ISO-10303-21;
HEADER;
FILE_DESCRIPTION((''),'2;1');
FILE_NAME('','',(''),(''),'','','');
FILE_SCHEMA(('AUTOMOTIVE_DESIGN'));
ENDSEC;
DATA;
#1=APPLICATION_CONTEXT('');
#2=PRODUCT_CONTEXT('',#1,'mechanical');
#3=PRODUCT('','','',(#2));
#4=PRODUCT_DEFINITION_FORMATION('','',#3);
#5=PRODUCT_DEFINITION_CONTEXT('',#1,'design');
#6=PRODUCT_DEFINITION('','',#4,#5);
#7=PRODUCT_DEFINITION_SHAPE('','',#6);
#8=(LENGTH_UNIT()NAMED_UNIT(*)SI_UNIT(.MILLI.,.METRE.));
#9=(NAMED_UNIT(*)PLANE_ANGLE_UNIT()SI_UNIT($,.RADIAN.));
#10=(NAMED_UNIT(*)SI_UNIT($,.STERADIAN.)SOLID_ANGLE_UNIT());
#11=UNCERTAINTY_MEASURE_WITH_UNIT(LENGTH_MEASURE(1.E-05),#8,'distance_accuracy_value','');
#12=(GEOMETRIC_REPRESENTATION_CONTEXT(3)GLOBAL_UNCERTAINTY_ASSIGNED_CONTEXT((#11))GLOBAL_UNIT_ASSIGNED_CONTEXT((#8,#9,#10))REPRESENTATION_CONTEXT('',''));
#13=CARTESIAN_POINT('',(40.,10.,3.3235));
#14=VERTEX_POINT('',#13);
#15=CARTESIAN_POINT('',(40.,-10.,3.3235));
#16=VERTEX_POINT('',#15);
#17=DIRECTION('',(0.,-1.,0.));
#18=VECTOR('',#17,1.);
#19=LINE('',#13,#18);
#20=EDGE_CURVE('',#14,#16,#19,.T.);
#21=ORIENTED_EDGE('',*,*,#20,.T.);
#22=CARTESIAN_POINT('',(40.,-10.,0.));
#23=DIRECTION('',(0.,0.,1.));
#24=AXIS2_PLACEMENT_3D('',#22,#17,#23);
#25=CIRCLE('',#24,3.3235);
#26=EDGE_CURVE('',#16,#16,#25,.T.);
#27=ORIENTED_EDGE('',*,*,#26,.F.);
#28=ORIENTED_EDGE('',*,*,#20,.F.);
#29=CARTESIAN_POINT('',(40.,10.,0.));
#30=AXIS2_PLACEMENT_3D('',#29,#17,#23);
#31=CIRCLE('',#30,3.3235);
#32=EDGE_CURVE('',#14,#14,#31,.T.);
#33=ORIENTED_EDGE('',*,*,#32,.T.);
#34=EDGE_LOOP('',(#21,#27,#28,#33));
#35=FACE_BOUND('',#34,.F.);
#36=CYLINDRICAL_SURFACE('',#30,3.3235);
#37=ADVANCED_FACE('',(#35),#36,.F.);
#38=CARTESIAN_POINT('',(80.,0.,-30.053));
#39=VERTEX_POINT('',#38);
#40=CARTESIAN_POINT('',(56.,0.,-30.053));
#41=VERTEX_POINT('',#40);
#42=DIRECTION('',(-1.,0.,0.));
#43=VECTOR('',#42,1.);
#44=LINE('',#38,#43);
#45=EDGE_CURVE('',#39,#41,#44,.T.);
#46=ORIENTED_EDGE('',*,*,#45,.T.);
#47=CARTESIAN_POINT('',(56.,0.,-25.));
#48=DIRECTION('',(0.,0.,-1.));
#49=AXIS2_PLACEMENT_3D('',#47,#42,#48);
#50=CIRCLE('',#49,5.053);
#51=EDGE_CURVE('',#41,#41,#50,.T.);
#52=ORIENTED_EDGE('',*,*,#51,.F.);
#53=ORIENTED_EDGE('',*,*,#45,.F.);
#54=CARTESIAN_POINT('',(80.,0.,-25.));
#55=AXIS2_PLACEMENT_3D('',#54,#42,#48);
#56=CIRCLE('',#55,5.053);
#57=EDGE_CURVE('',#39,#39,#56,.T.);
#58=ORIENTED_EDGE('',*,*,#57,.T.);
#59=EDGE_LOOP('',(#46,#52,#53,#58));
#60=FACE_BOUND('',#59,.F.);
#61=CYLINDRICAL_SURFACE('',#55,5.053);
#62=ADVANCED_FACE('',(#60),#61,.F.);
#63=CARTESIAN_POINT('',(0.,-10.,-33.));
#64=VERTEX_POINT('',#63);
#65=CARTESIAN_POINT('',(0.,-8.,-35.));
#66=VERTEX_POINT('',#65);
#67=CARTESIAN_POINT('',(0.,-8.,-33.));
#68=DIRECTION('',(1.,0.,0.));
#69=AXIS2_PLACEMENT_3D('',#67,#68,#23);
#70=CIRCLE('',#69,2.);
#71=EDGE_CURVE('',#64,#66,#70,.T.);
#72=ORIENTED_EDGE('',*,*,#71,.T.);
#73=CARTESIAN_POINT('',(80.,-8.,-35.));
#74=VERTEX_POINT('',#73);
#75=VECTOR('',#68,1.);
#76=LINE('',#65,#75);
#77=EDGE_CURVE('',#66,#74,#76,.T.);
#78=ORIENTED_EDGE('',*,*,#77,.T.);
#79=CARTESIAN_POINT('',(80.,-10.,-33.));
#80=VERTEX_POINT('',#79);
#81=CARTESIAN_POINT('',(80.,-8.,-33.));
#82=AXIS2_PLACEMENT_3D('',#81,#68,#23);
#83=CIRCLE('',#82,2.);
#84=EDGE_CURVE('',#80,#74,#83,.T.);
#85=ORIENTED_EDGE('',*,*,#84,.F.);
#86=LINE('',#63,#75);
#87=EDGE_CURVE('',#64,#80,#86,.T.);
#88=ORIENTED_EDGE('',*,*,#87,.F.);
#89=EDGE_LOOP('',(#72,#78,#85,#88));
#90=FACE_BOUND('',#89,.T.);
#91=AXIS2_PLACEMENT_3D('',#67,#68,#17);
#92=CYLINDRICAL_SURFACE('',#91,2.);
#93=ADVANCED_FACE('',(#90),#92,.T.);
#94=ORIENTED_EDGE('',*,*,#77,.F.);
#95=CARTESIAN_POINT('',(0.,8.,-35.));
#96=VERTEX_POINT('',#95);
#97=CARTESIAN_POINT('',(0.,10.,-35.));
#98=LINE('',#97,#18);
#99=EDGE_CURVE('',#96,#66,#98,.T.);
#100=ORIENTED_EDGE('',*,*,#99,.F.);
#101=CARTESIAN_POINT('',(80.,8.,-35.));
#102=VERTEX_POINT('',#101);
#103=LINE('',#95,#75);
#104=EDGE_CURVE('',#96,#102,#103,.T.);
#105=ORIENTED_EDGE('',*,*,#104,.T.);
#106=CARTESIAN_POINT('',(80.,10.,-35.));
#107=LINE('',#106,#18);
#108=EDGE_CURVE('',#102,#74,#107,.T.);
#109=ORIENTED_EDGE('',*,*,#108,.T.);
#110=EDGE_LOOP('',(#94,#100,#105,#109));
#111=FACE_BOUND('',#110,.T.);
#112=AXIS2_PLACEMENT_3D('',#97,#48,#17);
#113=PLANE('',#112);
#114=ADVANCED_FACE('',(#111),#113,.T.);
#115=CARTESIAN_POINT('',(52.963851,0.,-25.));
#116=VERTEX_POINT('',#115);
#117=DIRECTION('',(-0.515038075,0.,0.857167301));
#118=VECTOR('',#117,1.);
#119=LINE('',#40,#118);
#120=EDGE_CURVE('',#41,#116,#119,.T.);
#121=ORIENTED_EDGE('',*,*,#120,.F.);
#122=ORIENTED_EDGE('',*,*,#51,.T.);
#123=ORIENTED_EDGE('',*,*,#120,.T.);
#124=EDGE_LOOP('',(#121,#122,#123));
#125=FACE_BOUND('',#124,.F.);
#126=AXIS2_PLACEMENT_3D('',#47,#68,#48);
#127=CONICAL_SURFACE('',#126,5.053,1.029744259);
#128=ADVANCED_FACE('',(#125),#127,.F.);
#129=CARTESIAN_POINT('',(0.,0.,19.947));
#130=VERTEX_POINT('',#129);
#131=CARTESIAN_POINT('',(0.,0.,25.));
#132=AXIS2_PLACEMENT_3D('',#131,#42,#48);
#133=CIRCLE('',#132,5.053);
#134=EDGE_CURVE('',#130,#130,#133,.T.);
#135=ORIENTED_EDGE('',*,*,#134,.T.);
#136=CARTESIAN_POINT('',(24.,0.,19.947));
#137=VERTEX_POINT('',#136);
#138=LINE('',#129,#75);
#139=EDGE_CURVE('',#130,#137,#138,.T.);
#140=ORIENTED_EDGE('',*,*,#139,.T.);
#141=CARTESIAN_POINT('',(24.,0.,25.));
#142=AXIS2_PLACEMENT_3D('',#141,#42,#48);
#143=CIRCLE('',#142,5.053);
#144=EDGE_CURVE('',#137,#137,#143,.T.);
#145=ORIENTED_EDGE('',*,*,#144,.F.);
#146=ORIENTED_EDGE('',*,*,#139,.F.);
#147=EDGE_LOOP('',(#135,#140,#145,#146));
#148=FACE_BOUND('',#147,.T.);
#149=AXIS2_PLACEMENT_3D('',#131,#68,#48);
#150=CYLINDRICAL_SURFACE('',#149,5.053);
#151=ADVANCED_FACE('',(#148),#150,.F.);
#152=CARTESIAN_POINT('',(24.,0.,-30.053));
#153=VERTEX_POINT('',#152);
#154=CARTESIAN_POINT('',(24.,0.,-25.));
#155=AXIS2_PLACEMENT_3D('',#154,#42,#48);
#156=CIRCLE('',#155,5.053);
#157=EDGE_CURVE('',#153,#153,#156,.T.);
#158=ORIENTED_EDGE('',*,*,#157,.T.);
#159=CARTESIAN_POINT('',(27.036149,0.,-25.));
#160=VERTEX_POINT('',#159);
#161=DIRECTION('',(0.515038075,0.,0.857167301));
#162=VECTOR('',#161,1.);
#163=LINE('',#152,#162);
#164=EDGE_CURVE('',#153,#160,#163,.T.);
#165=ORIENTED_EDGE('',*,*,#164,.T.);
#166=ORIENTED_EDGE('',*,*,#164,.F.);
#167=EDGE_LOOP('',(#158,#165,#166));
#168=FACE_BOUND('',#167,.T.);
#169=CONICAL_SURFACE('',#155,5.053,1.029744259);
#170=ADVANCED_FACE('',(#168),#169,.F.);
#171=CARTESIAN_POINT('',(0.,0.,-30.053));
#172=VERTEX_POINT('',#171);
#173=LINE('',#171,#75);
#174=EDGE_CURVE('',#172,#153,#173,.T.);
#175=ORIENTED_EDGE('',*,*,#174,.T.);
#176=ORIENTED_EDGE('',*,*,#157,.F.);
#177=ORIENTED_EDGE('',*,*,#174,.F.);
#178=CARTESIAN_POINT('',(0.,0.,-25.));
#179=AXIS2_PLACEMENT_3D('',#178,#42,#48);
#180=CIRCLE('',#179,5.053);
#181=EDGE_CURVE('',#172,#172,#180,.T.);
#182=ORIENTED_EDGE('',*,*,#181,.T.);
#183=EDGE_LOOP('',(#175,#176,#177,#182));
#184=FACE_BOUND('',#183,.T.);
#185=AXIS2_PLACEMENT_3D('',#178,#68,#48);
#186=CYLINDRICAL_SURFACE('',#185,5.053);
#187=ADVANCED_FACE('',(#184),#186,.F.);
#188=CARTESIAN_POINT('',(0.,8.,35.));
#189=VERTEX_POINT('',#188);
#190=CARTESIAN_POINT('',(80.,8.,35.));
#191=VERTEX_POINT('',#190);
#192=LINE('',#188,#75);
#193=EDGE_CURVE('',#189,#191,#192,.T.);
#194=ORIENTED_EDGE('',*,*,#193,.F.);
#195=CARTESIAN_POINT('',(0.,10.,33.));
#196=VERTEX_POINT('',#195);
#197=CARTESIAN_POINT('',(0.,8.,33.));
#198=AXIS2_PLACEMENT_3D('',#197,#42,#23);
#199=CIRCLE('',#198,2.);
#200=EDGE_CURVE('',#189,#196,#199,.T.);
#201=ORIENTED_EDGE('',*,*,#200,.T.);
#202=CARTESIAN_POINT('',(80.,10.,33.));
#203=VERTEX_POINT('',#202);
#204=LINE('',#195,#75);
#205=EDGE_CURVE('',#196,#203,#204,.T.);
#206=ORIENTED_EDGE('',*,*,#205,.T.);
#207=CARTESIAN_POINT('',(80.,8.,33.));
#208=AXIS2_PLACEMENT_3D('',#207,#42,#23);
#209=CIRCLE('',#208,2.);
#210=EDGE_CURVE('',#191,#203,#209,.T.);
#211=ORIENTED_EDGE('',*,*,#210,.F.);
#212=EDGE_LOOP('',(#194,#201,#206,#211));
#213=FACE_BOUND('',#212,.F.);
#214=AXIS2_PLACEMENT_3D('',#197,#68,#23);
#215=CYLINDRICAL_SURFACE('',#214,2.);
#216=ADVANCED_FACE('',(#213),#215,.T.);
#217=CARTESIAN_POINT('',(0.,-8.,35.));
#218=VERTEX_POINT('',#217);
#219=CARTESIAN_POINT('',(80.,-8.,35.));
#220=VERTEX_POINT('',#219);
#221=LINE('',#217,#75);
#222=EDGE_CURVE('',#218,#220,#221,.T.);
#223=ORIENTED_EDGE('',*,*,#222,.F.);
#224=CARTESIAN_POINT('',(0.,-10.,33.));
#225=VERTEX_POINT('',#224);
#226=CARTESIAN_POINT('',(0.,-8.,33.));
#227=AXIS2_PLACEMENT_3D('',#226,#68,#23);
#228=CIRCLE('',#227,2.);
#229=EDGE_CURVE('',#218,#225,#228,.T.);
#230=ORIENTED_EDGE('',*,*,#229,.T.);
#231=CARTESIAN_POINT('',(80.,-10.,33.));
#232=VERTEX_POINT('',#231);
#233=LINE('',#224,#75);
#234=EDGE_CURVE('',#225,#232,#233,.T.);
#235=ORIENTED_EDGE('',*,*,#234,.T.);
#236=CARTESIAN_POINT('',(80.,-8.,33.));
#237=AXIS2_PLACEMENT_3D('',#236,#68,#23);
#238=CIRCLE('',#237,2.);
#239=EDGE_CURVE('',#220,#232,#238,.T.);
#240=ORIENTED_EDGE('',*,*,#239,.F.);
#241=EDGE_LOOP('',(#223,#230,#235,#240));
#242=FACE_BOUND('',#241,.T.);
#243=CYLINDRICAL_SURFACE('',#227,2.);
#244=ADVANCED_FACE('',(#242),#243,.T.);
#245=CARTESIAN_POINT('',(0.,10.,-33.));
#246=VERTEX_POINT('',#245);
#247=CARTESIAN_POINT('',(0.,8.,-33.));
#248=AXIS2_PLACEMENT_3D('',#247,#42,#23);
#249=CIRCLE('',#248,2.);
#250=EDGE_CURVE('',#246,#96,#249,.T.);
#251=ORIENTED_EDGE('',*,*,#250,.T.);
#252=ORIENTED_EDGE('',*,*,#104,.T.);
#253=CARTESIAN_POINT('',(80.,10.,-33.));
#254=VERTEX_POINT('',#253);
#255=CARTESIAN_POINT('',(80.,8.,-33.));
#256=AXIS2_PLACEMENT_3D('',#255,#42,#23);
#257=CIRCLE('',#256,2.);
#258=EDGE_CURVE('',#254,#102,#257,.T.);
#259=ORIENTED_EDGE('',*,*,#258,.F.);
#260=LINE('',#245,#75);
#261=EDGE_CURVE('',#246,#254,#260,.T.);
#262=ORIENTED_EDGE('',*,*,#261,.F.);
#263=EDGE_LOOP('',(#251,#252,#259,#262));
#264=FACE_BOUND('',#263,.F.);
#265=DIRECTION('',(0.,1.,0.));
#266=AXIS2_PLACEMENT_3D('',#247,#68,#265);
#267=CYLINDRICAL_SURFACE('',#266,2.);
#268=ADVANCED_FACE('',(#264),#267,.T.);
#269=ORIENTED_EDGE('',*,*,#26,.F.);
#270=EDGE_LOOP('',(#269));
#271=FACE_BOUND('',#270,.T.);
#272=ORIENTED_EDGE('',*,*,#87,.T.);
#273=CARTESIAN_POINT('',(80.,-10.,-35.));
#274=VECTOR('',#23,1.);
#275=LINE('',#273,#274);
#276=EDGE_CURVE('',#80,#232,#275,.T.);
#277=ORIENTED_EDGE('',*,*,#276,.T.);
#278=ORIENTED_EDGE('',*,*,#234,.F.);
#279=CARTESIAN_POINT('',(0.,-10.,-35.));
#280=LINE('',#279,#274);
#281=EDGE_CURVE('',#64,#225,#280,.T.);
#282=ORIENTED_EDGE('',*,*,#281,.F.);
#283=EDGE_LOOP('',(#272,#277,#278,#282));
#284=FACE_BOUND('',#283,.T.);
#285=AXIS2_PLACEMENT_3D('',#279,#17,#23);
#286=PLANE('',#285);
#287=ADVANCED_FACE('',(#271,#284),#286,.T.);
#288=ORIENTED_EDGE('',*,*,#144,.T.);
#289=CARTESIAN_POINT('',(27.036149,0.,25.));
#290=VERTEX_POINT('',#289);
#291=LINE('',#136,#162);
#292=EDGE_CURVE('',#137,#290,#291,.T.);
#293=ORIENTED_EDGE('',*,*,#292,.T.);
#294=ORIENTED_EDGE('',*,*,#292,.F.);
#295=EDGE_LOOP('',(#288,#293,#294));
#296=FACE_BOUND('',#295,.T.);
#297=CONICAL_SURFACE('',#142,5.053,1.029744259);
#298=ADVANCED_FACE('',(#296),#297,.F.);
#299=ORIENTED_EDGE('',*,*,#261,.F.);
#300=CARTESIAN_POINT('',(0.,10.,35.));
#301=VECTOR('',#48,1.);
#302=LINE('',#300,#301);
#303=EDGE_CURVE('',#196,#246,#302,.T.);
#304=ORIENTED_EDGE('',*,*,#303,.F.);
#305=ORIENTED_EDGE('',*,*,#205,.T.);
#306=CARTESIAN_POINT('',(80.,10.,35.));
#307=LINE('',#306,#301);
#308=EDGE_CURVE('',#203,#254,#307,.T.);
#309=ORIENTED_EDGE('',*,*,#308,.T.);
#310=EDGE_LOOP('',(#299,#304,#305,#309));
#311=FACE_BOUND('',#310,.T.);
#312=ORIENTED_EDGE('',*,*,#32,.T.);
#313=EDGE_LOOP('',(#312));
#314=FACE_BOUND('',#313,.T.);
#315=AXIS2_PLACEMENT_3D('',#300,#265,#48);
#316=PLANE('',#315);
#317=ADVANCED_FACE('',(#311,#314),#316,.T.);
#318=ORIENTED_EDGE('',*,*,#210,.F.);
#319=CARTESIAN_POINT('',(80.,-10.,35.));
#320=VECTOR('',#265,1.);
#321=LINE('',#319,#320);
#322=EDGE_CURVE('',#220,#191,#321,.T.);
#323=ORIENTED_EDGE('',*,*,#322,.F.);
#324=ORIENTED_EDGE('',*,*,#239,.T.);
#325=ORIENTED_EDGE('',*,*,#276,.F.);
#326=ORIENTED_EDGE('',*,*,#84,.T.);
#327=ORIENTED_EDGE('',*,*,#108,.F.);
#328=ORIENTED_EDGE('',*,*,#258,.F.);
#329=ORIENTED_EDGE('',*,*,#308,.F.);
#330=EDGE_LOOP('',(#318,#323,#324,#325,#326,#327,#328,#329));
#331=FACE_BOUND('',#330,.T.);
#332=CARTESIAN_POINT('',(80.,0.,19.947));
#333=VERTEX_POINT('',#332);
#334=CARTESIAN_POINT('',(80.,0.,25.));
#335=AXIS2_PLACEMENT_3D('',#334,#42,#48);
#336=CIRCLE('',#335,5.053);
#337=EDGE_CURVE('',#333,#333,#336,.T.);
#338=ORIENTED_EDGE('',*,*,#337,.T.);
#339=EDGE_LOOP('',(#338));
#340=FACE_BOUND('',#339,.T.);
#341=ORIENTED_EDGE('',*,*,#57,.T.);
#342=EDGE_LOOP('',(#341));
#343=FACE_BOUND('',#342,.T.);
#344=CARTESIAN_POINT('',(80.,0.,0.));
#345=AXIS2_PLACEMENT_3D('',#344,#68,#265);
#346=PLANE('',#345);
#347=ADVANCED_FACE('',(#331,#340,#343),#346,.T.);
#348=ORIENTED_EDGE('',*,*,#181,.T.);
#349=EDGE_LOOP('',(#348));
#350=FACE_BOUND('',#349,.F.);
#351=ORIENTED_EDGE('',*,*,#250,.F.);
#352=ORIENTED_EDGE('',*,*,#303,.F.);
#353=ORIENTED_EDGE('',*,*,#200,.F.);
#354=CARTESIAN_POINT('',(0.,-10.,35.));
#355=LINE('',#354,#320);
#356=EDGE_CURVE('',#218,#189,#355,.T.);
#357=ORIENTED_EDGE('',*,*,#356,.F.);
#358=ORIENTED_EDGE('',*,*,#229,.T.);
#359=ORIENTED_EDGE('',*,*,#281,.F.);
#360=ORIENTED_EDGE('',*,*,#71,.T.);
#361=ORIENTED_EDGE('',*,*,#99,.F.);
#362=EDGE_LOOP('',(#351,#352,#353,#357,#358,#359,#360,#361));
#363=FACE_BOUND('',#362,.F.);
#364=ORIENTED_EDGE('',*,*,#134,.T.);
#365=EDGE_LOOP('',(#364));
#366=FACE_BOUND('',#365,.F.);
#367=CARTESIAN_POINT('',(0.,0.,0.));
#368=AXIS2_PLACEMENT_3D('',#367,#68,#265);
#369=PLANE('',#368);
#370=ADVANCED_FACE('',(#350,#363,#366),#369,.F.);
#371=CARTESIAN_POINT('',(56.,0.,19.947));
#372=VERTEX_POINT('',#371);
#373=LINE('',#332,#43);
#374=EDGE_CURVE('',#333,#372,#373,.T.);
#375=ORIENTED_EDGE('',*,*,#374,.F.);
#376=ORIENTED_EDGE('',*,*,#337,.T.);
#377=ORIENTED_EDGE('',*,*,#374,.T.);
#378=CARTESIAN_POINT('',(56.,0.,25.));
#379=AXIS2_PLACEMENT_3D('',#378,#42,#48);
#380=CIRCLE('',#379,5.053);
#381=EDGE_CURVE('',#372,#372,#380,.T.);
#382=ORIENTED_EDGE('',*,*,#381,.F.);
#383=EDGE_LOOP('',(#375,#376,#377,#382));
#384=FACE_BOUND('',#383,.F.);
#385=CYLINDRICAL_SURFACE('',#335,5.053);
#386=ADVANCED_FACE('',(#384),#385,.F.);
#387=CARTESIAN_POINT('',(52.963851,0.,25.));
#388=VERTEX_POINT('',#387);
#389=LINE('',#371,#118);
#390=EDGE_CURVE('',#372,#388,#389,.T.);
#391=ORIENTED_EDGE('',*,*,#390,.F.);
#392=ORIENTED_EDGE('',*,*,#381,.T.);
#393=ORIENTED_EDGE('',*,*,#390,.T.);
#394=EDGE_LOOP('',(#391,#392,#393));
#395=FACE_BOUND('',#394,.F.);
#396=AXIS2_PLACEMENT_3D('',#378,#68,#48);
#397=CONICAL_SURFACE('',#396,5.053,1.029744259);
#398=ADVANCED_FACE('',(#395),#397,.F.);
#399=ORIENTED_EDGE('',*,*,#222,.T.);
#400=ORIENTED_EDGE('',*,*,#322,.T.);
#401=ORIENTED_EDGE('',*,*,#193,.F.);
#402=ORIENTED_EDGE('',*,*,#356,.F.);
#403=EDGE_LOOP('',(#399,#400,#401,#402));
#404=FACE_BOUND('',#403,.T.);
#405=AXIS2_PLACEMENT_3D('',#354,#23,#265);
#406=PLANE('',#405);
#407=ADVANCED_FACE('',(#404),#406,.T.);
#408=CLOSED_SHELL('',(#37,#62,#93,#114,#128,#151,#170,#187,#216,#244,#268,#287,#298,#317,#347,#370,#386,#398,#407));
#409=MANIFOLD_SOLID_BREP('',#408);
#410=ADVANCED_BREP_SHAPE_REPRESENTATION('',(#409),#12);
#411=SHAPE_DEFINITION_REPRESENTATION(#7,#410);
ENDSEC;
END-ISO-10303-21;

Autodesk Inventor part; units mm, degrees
ref_plane "YZ Plane" through (0, 0, 0) normal (1, 0, 0) x (0, 1, 0)
ref_plane "XZ Plane" through (0, 0, 0) normal (0, 1, 0) x (-1, 0, 0)
sketch "Sketch1" plane through (0, 0, 0) normal (1, 0, 0) x (0, 1, 0)
  line L0 (-10, 35) -> (10, 35)
  line L1 (10, 35) -> (10, -35)
  line L2 (10, -35) -> (-10, -35)
  line L3 (-10, -35) -> (-10, 35)
  line L4 (-10, 35) -> (10, -35) construction
  line L5 (10, 35) -> (-10, -35) construction
  point P0 (0, 0)
  dimension "d0" = 20
  dimension "d1" = 70
extrude "Extrusion1" add sketch "Sketch1" along normal blind 80
sketch "Sketch2" plane through (80, 0, 0) normal (1, 0, 0) x (0, 0, -1)
  line L0 (-35, 10) -> (-35, -10) projected
  line L1 (-35, 0) -> (35, 0)
  line L2 (35, -10) -> (35, 10) projected
  line L3 (35, 10) -> (-35, 10) projected
  line L4 (0, 10) -> (0, -10)
  line L5 (-35, -10) -> (35, -10) projected
  point P0 (0, 0)
  point P1 (-25, 0)
  point P2 (25, 0)
  dimension "d4" = 25
hole "Hole1" at (80, 0, 25) at (80, 0, -25) direction (-1, 0, 0) diameter 10.106 depth 24 tip angle 118 thread size "M12x1.75" class "6H" standard "ISO Metric profile"
ref_plane "Work Plane1" through (40, 0, 0) normal (1, 0, 0) x (0, 0, -1)
mirror "Mirror1" about plane through (40, 0, 0) normal (1, 0, 0) of "Hole1"
fillet "Fillet1" radius 2 4 edges at (40, 10, 35) (40, -10, 35) (40, -10, -35) (40, 10, -35)
sketch "Sketch3" plane through (0, 10, 33) normal (0, 1, 0) x (1, 0, 0)
  line L0 (80, 0) -> (80, 66) projected
  line L1 (80, 33) -> (0, 33)
  point P0 (40, 33)
hole "Hole2" at (40, 10, 0) direction (0, -1, 0) diameter 6.647 end through all thread size "M8x1.25" class "6H" standard "ISO Metric profile"
properties part number "Profile_Middle_03"
